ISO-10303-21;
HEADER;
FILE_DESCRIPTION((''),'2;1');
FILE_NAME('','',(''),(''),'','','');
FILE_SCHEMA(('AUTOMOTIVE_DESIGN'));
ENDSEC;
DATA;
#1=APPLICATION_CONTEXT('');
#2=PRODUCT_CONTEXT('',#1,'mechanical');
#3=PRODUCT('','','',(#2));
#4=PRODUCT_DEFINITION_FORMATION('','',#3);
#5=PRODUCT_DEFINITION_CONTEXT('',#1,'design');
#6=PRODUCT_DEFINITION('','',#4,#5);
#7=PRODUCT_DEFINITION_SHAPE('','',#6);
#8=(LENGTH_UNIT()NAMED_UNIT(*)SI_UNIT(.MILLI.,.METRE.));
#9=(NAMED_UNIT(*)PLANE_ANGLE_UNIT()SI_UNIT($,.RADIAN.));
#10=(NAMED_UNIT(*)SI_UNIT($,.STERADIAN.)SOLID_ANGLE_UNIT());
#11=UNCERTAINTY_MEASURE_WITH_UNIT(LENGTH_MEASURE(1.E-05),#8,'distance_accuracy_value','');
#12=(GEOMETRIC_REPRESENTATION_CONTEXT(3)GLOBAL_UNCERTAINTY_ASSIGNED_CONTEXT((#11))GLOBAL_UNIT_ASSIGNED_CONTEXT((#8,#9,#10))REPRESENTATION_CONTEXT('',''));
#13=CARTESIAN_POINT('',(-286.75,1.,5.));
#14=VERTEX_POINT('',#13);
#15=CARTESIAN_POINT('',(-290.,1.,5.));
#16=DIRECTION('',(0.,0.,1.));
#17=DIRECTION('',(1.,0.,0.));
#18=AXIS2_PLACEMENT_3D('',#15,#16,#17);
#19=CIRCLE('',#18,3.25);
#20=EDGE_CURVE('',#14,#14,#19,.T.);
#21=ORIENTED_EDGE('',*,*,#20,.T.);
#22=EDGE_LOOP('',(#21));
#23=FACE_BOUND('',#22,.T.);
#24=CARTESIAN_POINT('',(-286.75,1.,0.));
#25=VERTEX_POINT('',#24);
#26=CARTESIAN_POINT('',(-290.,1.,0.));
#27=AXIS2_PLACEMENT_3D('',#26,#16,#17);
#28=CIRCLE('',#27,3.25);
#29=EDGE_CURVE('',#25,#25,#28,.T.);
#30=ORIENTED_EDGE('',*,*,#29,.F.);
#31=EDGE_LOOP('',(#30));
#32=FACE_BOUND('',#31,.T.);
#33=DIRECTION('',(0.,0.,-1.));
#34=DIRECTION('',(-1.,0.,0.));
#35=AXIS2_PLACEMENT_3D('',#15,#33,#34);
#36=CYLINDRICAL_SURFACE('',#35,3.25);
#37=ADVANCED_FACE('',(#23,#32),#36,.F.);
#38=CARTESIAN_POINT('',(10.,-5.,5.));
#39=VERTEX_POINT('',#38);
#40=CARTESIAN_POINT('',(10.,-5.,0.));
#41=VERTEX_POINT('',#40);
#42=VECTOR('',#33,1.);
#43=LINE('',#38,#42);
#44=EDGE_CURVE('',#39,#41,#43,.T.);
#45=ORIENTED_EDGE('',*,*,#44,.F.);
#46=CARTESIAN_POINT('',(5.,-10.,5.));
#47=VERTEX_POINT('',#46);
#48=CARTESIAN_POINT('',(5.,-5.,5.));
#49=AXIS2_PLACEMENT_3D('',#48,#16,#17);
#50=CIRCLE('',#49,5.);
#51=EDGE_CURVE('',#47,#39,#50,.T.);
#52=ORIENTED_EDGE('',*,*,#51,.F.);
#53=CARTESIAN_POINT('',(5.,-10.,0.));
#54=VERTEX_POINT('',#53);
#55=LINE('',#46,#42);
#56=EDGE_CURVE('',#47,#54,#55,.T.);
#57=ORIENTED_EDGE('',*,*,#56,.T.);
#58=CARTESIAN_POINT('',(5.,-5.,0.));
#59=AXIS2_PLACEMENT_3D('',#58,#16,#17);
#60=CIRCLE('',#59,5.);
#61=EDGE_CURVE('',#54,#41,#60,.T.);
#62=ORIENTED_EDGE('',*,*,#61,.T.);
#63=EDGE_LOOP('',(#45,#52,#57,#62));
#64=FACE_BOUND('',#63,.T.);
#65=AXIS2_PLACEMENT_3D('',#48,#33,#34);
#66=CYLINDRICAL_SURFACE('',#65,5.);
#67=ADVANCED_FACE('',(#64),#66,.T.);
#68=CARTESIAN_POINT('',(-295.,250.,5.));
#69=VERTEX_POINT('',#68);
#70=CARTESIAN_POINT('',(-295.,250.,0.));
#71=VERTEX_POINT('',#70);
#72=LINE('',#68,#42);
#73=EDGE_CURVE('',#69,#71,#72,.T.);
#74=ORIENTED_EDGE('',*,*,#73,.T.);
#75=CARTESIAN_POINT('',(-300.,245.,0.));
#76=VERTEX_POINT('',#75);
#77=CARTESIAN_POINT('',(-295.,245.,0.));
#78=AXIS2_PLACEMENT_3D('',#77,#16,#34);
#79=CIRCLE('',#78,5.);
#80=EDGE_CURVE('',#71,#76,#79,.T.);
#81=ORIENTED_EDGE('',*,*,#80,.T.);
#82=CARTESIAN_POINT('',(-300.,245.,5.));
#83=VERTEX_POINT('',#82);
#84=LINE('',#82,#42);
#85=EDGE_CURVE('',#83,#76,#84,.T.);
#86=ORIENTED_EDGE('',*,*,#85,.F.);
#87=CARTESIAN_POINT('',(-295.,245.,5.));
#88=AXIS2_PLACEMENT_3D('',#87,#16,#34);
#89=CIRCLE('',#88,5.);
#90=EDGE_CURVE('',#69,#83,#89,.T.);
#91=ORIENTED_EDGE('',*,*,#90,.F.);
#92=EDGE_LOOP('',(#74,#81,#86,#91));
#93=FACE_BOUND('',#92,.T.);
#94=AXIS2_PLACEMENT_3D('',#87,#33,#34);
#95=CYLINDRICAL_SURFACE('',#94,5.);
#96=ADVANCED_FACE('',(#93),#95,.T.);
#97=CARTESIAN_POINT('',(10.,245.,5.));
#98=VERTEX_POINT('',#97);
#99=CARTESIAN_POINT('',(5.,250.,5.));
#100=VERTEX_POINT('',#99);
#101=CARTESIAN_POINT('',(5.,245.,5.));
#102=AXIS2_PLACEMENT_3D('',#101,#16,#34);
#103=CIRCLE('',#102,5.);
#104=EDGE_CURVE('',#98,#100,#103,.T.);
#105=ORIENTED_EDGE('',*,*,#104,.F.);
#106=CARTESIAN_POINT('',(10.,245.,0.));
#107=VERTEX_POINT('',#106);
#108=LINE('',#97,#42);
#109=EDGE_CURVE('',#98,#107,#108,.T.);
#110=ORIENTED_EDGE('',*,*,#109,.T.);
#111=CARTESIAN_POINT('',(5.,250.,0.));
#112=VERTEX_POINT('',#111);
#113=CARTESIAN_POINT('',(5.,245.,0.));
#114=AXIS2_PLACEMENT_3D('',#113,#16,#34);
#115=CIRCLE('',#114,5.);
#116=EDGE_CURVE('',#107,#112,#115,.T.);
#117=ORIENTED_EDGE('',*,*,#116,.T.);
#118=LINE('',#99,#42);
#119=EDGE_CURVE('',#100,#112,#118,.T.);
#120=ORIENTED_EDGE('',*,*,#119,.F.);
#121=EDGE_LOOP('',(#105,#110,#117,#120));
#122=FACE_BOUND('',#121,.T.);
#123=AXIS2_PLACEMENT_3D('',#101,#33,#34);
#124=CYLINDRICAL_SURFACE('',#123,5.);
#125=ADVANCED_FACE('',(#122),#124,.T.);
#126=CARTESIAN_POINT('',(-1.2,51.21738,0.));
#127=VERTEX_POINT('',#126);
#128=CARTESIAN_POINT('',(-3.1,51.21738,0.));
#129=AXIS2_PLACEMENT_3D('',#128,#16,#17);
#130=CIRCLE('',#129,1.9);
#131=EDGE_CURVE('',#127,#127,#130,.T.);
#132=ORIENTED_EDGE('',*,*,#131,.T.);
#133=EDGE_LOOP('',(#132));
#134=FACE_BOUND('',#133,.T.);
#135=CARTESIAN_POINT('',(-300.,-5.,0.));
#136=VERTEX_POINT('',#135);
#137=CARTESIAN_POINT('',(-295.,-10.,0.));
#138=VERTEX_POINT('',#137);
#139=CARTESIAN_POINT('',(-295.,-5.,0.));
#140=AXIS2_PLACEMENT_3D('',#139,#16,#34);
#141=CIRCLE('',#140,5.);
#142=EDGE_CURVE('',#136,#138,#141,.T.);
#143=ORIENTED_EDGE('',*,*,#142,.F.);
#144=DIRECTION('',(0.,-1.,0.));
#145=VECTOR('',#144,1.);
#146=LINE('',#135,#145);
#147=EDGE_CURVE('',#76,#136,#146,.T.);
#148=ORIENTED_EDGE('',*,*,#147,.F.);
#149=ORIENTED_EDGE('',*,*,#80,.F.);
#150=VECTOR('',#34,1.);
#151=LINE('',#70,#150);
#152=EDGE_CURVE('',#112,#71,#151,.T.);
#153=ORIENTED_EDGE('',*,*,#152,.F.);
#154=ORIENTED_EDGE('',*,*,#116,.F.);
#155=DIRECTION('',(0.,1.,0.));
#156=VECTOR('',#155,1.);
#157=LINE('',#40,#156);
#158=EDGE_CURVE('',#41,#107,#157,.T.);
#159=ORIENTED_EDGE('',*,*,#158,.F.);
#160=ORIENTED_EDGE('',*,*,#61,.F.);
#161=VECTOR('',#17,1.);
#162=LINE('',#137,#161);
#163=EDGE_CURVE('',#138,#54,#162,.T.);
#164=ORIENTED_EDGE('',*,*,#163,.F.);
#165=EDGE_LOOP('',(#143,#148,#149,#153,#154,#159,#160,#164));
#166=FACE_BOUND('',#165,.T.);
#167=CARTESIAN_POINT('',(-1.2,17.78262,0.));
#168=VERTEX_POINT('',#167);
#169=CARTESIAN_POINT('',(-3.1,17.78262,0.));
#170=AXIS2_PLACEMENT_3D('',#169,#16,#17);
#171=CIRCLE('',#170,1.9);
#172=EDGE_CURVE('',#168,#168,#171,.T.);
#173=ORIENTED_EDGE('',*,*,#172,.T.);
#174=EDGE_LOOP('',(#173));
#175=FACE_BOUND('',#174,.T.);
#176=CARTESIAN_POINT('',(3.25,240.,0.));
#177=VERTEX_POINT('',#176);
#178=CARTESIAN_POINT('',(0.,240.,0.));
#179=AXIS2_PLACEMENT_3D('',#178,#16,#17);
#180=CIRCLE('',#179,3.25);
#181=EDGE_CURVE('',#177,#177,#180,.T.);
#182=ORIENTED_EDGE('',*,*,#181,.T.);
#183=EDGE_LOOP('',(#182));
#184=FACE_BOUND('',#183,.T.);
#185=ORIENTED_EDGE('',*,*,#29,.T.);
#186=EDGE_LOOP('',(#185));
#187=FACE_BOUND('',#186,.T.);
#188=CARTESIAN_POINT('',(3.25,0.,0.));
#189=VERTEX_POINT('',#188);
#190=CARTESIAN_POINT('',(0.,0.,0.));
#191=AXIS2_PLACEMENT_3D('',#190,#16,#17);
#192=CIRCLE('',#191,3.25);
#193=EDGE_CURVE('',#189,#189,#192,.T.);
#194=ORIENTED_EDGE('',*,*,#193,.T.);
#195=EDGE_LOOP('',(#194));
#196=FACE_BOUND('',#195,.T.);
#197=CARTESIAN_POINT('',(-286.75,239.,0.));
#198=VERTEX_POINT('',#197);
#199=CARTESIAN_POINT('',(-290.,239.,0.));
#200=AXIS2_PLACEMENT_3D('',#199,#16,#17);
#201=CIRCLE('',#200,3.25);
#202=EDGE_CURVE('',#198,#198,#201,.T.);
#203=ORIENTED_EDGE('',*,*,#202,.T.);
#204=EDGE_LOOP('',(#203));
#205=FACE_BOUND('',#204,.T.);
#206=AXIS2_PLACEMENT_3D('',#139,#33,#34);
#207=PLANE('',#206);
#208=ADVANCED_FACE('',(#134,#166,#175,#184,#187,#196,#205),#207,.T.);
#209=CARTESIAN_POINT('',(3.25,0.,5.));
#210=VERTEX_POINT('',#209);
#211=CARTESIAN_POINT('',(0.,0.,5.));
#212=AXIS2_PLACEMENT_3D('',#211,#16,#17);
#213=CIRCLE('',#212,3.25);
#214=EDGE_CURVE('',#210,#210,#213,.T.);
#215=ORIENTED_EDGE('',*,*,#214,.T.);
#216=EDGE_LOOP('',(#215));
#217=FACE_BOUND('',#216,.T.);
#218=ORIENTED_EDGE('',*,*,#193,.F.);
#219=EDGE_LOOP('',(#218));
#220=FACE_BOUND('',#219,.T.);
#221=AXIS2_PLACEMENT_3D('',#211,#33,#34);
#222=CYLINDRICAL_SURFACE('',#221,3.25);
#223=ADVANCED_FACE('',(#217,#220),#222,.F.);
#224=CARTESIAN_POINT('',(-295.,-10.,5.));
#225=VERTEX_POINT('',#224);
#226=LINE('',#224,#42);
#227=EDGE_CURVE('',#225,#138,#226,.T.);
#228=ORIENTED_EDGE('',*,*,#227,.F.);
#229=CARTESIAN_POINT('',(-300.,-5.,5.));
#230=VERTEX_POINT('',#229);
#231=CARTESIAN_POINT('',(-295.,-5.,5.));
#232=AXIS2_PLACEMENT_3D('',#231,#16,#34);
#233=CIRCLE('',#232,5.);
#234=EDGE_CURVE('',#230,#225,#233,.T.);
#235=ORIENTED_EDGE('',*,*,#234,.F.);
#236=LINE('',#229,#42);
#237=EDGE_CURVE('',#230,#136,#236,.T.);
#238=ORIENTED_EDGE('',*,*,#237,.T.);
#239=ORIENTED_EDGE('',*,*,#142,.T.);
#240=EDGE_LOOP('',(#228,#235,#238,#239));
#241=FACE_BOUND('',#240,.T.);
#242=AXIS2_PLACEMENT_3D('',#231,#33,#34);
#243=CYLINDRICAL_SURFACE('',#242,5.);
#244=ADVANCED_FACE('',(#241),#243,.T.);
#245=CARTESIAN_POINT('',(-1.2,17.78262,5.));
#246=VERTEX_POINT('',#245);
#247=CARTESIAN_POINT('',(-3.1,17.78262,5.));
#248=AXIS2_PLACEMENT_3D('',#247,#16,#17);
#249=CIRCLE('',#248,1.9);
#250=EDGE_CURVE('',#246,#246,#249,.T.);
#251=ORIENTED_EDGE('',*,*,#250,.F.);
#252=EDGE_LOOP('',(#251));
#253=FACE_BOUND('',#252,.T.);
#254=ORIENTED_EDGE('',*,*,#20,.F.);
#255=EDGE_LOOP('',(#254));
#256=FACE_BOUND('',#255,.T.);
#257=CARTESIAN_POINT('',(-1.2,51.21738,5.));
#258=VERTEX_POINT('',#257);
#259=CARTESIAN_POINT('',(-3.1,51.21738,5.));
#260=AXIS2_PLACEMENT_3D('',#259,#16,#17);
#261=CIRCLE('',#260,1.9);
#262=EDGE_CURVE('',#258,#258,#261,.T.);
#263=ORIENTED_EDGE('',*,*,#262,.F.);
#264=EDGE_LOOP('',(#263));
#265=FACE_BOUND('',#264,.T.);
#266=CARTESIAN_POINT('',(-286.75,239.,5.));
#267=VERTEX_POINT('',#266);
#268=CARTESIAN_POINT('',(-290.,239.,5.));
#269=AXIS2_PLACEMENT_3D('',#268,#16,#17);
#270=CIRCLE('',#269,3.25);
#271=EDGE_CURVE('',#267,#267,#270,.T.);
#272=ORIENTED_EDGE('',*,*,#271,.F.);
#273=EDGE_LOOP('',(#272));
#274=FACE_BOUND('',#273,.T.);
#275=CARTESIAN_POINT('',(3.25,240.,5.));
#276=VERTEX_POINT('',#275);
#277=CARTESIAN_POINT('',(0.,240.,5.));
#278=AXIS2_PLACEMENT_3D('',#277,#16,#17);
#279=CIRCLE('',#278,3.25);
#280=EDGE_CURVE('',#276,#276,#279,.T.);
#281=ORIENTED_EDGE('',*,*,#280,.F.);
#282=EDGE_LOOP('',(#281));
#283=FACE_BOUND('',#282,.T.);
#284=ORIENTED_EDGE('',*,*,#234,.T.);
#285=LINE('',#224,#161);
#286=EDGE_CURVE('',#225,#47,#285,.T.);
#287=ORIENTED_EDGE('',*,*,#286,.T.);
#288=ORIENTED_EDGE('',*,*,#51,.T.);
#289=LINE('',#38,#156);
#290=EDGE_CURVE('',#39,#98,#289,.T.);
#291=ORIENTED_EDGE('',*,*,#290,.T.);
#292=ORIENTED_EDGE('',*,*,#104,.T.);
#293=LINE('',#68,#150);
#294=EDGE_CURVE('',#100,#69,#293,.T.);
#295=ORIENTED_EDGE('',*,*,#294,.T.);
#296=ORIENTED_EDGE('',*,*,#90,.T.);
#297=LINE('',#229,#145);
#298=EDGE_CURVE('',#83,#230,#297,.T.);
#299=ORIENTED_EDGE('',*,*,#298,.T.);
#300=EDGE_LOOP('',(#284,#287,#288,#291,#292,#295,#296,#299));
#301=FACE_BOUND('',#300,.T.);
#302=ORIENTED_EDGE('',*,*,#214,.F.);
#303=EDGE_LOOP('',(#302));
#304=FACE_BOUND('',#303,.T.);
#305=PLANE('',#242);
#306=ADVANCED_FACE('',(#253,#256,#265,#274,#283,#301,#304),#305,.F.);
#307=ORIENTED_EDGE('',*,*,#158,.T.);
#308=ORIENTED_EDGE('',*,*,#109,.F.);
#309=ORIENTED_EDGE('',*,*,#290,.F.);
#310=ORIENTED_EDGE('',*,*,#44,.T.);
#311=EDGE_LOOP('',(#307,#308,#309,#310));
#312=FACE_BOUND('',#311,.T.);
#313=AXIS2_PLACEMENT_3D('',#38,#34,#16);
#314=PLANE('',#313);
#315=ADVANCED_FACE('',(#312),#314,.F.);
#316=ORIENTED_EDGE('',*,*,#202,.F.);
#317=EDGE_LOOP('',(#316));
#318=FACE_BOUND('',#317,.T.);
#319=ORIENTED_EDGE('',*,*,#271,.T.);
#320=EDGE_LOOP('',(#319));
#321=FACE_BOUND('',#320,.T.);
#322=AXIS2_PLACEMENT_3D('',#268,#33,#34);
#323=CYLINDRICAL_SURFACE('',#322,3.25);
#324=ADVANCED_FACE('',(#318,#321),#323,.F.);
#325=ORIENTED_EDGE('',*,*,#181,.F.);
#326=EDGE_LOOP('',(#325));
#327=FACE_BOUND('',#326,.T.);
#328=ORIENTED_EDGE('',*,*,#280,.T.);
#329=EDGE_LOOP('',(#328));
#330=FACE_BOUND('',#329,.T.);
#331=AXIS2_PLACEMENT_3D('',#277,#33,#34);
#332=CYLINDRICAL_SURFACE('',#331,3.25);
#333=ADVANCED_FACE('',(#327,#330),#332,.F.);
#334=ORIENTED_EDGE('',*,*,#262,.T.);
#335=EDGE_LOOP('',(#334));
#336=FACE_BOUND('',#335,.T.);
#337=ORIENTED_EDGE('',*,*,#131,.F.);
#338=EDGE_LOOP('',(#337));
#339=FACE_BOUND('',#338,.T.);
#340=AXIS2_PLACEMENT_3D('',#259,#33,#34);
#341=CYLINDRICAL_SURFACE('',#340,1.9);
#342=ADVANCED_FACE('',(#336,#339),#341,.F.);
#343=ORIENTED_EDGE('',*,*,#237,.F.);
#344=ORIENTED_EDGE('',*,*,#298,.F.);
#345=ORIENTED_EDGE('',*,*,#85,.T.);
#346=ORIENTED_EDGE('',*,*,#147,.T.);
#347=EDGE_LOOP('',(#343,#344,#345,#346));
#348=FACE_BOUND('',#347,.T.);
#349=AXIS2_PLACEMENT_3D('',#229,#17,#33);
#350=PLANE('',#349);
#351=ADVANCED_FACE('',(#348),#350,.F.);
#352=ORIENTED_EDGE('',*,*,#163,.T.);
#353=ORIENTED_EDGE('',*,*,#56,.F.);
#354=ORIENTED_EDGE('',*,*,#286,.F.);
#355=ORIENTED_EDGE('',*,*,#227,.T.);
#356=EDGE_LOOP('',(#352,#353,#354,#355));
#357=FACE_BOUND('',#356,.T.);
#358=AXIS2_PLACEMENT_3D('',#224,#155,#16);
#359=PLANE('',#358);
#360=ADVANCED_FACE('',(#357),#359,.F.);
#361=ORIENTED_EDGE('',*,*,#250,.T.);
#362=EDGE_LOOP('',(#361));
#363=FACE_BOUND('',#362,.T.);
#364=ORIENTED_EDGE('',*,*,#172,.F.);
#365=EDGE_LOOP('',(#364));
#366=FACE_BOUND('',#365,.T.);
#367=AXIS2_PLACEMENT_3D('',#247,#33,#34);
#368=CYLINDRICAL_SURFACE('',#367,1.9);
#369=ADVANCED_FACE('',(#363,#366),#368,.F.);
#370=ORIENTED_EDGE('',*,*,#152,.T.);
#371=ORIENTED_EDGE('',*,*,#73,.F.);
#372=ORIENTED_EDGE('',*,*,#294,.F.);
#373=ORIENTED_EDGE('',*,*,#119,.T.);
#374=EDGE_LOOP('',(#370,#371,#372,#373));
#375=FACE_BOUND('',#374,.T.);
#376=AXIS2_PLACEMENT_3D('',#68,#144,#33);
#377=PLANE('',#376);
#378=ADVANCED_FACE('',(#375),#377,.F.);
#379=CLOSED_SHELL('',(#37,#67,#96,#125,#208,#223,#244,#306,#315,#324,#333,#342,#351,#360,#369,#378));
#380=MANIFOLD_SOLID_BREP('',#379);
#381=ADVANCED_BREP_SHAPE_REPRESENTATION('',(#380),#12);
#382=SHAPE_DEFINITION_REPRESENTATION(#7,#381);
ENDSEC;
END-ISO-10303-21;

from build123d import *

# Parameters (mm, degrees)
SKETCH1_R           = 3.25
SKETCH1_R_2         = 1.9
BOSS_EXTRUDE1_DEPTH = 5


with BuildPart() as part:
    # Sketch1 → Boss-Extrude1 (new body)
    with BuildSketch(Plane.XY):
        with BuildLine():
            Line((-295, -10), (5, -10))
            ThreePointArc((5, -10), (8.535533906, -8.535533906), (10, -5))
            Line((10, -5), (10, 245))
            ThreePointArc((10, 245), (8.535533906, 248.535533906), (5, 250))
            Line((5, 250), (-295, 250))
            ThreePointArc((-295, 250), (-298.535533906, 248.535533906), (-300, 245))
            Line((-300, 245), (-300, -5))
            ThreePointArc((-300, -5), (-298.535533906, -8.535533906), (-295, -10))
        make_face()
        Circle(SKETCH1_R, mode=Mode.SUBTRACT)
        with Locations((0, 240)):
            Circle(SKETCH1_R, mode=Mode.SUBTRACT)
        with Locations((-290, 239)):
            Circle(SKETCH1_R, mode=Mode.SUBTRACT)
        with Locations((-290, 1)):
            Circle(SKETCH1_R, mode=Mode.SUBTRACT)
        with Locations((-3.100000029, 17.782619509)):
            Circle(SKETCH1_R_2, mode=Mode.SUBTRACT)
        with Locations((-3.100000029, 51.217380491)):
            Circle(SKETCH1_R_2, mode=Mode.SUBTRACT)
    extrude(amount=BOSS_EXTRUDE1_DEPTH)


solid = part.part
